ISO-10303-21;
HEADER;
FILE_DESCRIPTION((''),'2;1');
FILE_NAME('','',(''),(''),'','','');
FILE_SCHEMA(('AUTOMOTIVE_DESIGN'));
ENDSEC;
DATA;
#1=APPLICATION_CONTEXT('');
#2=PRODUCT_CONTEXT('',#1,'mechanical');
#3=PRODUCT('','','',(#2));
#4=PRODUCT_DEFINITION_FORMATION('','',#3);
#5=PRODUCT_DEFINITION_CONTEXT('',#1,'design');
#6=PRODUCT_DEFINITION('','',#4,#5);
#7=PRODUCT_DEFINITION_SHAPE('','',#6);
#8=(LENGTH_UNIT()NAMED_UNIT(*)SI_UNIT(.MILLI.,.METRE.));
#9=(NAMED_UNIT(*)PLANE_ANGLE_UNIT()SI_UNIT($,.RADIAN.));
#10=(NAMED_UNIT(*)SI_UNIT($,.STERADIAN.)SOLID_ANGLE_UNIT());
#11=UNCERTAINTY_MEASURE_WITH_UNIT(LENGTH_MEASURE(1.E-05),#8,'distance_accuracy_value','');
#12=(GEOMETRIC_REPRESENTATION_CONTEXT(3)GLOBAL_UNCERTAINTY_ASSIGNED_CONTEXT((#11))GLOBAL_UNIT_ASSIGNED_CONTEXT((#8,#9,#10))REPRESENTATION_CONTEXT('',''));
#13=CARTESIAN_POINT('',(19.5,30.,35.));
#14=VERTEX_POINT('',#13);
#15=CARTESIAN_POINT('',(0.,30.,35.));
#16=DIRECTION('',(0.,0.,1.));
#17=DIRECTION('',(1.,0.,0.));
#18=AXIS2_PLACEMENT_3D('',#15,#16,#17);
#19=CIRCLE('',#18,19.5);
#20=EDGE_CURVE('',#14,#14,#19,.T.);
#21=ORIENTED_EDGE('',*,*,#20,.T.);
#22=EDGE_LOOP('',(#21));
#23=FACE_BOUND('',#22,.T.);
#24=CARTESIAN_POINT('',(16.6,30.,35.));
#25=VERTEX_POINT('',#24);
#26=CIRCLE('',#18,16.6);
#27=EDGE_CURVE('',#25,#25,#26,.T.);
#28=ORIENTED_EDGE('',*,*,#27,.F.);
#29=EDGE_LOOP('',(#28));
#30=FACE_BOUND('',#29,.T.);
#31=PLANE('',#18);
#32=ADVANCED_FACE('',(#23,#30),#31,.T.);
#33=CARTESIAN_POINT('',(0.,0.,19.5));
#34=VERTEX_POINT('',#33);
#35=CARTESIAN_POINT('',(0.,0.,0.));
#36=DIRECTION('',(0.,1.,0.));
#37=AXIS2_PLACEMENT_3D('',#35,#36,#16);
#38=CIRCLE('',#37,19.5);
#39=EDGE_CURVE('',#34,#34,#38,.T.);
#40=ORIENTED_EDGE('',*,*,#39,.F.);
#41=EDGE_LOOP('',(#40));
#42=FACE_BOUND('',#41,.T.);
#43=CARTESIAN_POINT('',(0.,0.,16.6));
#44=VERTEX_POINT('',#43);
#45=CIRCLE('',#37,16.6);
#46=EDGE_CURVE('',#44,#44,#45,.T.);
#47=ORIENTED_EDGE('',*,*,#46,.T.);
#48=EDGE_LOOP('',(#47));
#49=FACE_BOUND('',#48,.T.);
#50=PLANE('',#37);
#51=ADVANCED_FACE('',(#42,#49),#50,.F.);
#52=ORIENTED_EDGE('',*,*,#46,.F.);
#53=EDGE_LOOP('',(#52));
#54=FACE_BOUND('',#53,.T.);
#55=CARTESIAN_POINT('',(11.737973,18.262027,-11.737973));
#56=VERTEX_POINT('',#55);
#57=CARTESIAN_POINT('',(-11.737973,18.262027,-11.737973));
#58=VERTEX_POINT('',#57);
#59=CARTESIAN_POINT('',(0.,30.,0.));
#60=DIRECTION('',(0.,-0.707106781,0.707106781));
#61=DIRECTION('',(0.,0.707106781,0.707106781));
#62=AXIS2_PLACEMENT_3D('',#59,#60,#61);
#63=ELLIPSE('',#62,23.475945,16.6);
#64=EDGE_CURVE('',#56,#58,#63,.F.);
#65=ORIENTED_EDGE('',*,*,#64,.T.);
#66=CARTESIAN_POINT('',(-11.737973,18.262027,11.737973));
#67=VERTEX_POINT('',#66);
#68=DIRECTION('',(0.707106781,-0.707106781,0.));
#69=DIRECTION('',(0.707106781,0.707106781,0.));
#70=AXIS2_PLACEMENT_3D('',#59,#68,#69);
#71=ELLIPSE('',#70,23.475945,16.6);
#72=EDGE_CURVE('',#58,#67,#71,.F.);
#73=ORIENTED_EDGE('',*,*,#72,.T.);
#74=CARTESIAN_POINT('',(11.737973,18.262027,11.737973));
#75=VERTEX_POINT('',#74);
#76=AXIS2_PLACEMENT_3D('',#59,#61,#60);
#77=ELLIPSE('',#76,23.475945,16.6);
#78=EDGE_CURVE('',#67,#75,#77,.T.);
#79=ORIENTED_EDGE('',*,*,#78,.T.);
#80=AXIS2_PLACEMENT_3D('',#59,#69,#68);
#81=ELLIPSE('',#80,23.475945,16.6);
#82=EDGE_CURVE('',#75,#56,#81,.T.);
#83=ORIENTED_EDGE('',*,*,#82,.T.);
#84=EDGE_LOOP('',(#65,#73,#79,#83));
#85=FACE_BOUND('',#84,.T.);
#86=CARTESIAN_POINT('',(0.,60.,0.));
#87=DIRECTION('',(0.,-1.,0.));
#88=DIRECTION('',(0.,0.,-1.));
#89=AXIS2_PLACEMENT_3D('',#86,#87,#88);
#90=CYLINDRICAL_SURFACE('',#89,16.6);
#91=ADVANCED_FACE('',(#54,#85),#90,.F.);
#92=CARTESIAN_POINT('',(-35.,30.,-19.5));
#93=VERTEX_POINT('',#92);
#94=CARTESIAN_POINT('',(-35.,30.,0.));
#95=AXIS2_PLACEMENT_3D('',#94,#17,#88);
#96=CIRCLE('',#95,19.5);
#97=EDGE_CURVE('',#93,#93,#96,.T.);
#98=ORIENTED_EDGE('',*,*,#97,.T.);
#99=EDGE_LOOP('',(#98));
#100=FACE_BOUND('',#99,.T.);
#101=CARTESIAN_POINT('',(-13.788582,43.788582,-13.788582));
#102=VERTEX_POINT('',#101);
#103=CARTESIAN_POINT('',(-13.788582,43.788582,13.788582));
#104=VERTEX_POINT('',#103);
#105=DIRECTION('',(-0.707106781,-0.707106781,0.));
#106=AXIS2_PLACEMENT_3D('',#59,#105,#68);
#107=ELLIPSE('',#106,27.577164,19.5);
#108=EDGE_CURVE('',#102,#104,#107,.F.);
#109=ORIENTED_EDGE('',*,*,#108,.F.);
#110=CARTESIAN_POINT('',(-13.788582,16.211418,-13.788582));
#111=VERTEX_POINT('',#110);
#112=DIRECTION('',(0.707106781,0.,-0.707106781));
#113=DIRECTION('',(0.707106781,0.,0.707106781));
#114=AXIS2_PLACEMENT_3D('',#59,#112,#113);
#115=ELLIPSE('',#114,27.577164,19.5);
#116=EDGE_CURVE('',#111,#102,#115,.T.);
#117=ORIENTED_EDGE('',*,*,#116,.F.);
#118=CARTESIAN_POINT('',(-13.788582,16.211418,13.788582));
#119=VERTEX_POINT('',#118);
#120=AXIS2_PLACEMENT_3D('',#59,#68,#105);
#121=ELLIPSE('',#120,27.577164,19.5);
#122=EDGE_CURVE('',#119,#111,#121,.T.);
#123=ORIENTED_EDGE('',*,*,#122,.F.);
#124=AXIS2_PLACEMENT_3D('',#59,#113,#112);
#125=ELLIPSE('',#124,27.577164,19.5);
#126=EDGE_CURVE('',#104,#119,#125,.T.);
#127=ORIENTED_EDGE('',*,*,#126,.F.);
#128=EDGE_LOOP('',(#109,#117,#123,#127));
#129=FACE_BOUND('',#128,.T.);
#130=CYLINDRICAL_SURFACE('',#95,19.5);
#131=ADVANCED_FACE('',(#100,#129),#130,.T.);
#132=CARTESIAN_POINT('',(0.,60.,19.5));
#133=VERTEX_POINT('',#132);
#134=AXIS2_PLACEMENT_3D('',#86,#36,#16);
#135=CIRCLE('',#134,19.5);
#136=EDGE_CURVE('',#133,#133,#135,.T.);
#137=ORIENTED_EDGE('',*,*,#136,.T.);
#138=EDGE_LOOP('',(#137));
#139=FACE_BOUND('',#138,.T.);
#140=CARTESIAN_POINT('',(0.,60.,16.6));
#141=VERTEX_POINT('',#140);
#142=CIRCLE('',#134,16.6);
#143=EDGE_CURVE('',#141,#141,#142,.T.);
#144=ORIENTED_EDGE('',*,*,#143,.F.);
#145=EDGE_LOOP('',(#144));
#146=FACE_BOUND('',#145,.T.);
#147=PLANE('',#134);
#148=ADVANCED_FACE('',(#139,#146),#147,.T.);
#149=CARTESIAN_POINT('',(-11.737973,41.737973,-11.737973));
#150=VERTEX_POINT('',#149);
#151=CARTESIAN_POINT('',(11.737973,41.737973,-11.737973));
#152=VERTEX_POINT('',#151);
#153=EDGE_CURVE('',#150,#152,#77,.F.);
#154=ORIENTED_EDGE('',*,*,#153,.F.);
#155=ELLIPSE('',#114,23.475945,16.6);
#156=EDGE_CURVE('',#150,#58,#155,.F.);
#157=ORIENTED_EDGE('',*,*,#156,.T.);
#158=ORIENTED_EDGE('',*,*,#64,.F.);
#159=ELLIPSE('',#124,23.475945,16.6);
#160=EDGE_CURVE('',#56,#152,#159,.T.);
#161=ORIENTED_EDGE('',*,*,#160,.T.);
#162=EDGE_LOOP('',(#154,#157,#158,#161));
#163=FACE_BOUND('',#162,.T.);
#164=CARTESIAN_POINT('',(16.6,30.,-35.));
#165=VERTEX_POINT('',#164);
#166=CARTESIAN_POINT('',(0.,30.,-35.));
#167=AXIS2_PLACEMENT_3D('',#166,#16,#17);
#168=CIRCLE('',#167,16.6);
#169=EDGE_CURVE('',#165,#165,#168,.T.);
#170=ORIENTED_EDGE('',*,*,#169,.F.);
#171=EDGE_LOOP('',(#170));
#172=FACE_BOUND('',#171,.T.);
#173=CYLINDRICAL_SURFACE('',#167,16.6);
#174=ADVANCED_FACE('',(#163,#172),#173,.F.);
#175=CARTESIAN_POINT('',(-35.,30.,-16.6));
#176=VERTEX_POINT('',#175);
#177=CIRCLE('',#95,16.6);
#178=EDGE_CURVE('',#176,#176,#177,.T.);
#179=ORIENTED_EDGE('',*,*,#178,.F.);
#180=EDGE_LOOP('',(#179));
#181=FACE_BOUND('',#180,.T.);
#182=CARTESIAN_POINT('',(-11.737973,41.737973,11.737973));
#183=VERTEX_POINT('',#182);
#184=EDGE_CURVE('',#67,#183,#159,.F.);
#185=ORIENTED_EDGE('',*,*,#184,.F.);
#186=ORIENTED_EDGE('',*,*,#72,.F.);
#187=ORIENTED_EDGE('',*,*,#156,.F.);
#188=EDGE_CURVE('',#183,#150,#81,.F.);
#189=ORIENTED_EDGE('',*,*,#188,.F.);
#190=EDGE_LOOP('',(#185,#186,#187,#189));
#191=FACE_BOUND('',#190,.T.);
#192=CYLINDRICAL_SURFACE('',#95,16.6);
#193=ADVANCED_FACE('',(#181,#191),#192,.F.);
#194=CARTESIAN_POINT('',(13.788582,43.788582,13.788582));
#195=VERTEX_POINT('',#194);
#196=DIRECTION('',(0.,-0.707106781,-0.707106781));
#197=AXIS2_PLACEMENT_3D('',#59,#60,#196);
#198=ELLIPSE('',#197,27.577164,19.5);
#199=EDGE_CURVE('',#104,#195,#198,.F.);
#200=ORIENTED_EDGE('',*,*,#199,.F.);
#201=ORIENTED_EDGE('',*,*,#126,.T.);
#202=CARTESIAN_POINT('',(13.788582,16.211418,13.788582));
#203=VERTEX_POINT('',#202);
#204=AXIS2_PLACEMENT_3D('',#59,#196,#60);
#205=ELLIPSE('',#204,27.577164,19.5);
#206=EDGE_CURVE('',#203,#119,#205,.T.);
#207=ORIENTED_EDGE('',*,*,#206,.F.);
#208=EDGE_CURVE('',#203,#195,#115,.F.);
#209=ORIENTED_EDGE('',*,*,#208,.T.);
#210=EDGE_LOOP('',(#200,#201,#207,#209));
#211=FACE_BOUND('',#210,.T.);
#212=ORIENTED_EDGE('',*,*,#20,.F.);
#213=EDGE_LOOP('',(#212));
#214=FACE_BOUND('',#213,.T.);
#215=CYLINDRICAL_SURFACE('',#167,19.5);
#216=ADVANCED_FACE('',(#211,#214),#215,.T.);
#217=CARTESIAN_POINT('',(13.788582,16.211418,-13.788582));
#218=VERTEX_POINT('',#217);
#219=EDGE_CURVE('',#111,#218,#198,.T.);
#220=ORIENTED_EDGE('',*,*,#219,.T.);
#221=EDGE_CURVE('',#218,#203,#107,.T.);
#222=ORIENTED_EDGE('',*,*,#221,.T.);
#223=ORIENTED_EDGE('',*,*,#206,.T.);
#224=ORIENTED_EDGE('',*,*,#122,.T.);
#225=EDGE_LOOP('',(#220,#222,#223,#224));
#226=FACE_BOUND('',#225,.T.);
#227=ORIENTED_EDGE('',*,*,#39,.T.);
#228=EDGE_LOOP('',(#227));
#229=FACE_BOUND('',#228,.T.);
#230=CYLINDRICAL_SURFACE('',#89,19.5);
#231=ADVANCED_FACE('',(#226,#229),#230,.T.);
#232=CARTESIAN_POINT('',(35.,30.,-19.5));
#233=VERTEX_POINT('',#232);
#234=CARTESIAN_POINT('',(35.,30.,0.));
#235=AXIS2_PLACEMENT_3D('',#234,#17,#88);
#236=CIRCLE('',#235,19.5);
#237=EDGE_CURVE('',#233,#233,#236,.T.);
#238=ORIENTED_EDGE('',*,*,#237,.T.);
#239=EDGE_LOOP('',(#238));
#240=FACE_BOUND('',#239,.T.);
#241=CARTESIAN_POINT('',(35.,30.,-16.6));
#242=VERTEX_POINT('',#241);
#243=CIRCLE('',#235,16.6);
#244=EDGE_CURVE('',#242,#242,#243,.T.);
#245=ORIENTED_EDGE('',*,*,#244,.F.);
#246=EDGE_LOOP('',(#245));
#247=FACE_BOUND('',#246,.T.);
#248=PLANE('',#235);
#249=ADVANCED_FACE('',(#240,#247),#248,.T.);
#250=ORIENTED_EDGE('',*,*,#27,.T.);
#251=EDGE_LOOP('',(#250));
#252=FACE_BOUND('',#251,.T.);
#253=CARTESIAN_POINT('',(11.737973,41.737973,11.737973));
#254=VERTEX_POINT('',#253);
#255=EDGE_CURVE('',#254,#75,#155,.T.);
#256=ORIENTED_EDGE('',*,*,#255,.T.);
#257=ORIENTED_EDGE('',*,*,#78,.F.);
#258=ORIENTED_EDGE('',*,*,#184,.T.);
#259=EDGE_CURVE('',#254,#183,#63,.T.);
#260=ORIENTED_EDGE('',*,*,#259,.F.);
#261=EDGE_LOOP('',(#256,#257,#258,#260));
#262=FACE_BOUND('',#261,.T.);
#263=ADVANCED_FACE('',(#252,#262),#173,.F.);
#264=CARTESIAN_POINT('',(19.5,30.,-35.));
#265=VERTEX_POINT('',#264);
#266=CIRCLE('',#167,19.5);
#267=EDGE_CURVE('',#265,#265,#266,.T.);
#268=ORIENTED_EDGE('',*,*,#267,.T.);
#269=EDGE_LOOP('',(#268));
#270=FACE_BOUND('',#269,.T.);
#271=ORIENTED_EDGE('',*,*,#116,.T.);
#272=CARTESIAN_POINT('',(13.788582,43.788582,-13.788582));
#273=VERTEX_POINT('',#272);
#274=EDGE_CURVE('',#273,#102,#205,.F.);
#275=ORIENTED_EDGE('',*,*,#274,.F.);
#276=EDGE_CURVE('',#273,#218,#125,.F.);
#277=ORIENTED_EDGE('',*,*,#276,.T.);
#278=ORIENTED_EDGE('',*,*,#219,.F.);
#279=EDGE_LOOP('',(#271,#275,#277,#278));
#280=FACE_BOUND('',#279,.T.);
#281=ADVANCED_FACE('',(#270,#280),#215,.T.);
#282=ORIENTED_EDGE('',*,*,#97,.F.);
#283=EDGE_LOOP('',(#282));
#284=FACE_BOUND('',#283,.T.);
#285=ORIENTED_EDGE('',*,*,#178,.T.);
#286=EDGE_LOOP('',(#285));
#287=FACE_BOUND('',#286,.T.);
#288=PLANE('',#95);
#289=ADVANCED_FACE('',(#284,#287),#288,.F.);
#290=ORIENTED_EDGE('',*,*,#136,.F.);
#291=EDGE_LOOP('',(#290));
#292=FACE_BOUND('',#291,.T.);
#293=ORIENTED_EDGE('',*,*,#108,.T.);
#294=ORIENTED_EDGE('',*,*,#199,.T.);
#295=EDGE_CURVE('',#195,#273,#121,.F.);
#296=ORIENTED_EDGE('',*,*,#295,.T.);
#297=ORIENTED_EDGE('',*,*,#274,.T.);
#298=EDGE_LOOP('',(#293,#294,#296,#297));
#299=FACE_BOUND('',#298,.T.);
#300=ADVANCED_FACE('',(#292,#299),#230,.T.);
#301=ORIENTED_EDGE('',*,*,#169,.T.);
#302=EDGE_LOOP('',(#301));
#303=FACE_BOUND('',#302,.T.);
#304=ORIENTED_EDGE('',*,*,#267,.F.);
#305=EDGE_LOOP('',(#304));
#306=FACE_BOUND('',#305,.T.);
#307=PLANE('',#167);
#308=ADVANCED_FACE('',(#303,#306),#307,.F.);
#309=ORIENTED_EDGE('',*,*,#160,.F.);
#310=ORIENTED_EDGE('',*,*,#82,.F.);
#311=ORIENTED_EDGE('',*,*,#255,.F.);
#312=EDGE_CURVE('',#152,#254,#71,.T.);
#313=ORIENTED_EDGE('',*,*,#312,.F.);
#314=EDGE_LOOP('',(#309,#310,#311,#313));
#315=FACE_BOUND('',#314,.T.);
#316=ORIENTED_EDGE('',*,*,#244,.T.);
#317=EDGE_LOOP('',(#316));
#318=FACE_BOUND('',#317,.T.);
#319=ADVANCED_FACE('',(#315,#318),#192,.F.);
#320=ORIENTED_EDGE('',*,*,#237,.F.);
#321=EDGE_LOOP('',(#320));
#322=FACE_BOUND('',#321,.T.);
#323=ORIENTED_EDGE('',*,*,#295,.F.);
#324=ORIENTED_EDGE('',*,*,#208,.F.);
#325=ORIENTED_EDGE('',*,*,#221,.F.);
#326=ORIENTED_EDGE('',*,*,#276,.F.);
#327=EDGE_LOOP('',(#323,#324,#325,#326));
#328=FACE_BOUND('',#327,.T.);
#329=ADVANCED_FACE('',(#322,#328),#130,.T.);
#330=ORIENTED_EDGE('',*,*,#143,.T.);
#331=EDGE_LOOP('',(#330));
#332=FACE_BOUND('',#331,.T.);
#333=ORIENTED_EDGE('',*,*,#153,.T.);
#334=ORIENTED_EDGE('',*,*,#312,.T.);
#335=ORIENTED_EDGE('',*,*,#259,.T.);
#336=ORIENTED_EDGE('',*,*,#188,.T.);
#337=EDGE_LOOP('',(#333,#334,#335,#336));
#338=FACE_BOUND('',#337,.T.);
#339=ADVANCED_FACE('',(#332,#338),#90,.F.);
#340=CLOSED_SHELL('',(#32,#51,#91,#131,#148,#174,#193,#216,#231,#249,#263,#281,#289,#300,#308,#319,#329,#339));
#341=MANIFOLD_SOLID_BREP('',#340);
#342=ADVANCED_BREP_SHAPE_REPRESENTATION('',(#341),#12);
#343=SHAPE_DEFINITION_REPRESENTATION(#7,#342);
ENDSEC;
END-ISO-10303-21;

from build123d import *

# Parameters (mm, degrees)
CROQUIS1_R                   = 19.5
CROQUIS1_R_2                 = 16.6
SALIENTE_EXTRUIR1_DEPTH      = 60
SALIENTE_EXTRUIR3_DEPTH      = 35
SALIENTE_EXTRUIR3_DEPTH_BACK = 35
CROQUIS2_R                   = 19.5
CROQUIS2_R_2                 = 16.6
SALIENTE_EXTRUIR4_DEPTH      = 35
SALIENTE_EXTRUIR4_DEPTH_BACK = 35
CROQUIS3_R                   = 19.5
CROQUIS3_R_2                 = 16.6
CORTAR_EXTRUIR1_DEPTH        = 35
CORTAR_EXTRUIR1_DEPTH_BACK   = 35
CORTAR_EXTRUIR2_DEPTH        = 35
CORTAR_EXTRUIR2_DEPTH_BACK   = 35
CROQUIS7_R                   = 16.6
CORTAR_EXTRUIR3_DEPTH        = 60


with BuildPart() as part:
    # Croquis1 → Saliente-Extruir1 (new body)
    with BuildSketch(Plane(origin=(0, 0, 0), x_dir=(1, 0, 0), z_dir=(0, 1, 0))):
        Circle(CROQUIS1_R)
        Circle(CROQUIS1_R_2, mode=Mode.SUBTRACT)
    extrude(amount=SALIENTE_EXTRUIR1_DEPTH)

    # Croquis2 → Saliente-Extruir3 (add, two sides: drawn at the far end of the back side and taken through both)
    with BuildSketch(Plane(origin=(0, 0, 0), x_dir=(0, 0, -1), z_dir=(1, 0, 0)).offset(-SALIENTE_EXTRUIR3_DEPTH_BACK)):
        with Locations((0, 30)):
            Circle(CROQUIS2_R)
        with Locations((0, 30)):
            Circle(CROQUIS2_R_2, mode=Mode.SUBTRACT)
    extrude(amount=SALIENTE_EXTRUIR3_DEPTH + SALIENTE_EXTRUIR3_DEPTH_BACK)

    # Croquis3 → Saliente-Extruir4 (add, two sides: drawn at the far end of the back side and taken through both)
    with BuildSketch(Plane.XY.offset(-SALIENTE_EXTRUIR4_DEPTH_BACK)):
        with Locations((0, 30)):
            Circle(CROQUIS3_R)
        with Locations((0, 30)):
            Circle(CROQUIS3_R_2, mode=Mode.SUBTRACT)
    extrude(amount=SALIENTE_EXTRUIR4_DEPTH + SALIENTE_EXTRUIR4_DEPTH_BACK)

    # Croquis5 → Cortar-Extruir1 (cut, two sides: drawn at the far end of the back side and taken through both)
    with BuildSketch(Plane(origin=(0, 0, 0), x_dir=(0, 0, -1), z_dir=(1, 0, 0)).offset(-CORTAR_EXTRUIR1_DEPTH_BACK)):
        with BuildLine():
            ThreePointArc((0, 46.6), (-11.737972568, 18.262027432), (16.6, 30))
            ThreePointArc((16.6, 30), (11.737972568, 41.737972568), (0, 46.6))
        make_face()
    extrude(amount=CORTAR_EXTRUIR1_DEPTH + CORTAR_EXTRUIR1_DEPTH_BACK, mode=Mode.SUBTRACT)

    # Croquis6 → Cortar-Extruir2 (cut, two sides: drawn at the far end of the back side and taken through both)
    with BuildSketch(Plane.XY.offset(-CORTAR_EXTRUIR2_DEPTH_BACK)):
        with BuildLine():
            ThreePointArc((0, 46.6), (-11.737972568, 18.262027432), (16.6, 30))
            ThreePointArc((16.6, 30), (11.737972568, 41.737972568), (0, 46.6))
        make_face()
    extrude(amount=CORTAR_EXTRUIR2_DEPTH + CORTAR_EXTRUIR2_DEPTH_BACK, mode=Mode.SUBTRACT)

    # Croquis7 → Cortar-Extruir3 (cut)
    with BuildSketch(Plane(origin=(0, 0, 0), x_dir=(1, 0, 0), z_dir=(0, 1, 0))):
        Circle(CROQUIS7_R)
    extrude(amount=CORTAR_EXTRUIR3_DEPTH, mode=Mode.SUBTRACT)


solid = part.part
